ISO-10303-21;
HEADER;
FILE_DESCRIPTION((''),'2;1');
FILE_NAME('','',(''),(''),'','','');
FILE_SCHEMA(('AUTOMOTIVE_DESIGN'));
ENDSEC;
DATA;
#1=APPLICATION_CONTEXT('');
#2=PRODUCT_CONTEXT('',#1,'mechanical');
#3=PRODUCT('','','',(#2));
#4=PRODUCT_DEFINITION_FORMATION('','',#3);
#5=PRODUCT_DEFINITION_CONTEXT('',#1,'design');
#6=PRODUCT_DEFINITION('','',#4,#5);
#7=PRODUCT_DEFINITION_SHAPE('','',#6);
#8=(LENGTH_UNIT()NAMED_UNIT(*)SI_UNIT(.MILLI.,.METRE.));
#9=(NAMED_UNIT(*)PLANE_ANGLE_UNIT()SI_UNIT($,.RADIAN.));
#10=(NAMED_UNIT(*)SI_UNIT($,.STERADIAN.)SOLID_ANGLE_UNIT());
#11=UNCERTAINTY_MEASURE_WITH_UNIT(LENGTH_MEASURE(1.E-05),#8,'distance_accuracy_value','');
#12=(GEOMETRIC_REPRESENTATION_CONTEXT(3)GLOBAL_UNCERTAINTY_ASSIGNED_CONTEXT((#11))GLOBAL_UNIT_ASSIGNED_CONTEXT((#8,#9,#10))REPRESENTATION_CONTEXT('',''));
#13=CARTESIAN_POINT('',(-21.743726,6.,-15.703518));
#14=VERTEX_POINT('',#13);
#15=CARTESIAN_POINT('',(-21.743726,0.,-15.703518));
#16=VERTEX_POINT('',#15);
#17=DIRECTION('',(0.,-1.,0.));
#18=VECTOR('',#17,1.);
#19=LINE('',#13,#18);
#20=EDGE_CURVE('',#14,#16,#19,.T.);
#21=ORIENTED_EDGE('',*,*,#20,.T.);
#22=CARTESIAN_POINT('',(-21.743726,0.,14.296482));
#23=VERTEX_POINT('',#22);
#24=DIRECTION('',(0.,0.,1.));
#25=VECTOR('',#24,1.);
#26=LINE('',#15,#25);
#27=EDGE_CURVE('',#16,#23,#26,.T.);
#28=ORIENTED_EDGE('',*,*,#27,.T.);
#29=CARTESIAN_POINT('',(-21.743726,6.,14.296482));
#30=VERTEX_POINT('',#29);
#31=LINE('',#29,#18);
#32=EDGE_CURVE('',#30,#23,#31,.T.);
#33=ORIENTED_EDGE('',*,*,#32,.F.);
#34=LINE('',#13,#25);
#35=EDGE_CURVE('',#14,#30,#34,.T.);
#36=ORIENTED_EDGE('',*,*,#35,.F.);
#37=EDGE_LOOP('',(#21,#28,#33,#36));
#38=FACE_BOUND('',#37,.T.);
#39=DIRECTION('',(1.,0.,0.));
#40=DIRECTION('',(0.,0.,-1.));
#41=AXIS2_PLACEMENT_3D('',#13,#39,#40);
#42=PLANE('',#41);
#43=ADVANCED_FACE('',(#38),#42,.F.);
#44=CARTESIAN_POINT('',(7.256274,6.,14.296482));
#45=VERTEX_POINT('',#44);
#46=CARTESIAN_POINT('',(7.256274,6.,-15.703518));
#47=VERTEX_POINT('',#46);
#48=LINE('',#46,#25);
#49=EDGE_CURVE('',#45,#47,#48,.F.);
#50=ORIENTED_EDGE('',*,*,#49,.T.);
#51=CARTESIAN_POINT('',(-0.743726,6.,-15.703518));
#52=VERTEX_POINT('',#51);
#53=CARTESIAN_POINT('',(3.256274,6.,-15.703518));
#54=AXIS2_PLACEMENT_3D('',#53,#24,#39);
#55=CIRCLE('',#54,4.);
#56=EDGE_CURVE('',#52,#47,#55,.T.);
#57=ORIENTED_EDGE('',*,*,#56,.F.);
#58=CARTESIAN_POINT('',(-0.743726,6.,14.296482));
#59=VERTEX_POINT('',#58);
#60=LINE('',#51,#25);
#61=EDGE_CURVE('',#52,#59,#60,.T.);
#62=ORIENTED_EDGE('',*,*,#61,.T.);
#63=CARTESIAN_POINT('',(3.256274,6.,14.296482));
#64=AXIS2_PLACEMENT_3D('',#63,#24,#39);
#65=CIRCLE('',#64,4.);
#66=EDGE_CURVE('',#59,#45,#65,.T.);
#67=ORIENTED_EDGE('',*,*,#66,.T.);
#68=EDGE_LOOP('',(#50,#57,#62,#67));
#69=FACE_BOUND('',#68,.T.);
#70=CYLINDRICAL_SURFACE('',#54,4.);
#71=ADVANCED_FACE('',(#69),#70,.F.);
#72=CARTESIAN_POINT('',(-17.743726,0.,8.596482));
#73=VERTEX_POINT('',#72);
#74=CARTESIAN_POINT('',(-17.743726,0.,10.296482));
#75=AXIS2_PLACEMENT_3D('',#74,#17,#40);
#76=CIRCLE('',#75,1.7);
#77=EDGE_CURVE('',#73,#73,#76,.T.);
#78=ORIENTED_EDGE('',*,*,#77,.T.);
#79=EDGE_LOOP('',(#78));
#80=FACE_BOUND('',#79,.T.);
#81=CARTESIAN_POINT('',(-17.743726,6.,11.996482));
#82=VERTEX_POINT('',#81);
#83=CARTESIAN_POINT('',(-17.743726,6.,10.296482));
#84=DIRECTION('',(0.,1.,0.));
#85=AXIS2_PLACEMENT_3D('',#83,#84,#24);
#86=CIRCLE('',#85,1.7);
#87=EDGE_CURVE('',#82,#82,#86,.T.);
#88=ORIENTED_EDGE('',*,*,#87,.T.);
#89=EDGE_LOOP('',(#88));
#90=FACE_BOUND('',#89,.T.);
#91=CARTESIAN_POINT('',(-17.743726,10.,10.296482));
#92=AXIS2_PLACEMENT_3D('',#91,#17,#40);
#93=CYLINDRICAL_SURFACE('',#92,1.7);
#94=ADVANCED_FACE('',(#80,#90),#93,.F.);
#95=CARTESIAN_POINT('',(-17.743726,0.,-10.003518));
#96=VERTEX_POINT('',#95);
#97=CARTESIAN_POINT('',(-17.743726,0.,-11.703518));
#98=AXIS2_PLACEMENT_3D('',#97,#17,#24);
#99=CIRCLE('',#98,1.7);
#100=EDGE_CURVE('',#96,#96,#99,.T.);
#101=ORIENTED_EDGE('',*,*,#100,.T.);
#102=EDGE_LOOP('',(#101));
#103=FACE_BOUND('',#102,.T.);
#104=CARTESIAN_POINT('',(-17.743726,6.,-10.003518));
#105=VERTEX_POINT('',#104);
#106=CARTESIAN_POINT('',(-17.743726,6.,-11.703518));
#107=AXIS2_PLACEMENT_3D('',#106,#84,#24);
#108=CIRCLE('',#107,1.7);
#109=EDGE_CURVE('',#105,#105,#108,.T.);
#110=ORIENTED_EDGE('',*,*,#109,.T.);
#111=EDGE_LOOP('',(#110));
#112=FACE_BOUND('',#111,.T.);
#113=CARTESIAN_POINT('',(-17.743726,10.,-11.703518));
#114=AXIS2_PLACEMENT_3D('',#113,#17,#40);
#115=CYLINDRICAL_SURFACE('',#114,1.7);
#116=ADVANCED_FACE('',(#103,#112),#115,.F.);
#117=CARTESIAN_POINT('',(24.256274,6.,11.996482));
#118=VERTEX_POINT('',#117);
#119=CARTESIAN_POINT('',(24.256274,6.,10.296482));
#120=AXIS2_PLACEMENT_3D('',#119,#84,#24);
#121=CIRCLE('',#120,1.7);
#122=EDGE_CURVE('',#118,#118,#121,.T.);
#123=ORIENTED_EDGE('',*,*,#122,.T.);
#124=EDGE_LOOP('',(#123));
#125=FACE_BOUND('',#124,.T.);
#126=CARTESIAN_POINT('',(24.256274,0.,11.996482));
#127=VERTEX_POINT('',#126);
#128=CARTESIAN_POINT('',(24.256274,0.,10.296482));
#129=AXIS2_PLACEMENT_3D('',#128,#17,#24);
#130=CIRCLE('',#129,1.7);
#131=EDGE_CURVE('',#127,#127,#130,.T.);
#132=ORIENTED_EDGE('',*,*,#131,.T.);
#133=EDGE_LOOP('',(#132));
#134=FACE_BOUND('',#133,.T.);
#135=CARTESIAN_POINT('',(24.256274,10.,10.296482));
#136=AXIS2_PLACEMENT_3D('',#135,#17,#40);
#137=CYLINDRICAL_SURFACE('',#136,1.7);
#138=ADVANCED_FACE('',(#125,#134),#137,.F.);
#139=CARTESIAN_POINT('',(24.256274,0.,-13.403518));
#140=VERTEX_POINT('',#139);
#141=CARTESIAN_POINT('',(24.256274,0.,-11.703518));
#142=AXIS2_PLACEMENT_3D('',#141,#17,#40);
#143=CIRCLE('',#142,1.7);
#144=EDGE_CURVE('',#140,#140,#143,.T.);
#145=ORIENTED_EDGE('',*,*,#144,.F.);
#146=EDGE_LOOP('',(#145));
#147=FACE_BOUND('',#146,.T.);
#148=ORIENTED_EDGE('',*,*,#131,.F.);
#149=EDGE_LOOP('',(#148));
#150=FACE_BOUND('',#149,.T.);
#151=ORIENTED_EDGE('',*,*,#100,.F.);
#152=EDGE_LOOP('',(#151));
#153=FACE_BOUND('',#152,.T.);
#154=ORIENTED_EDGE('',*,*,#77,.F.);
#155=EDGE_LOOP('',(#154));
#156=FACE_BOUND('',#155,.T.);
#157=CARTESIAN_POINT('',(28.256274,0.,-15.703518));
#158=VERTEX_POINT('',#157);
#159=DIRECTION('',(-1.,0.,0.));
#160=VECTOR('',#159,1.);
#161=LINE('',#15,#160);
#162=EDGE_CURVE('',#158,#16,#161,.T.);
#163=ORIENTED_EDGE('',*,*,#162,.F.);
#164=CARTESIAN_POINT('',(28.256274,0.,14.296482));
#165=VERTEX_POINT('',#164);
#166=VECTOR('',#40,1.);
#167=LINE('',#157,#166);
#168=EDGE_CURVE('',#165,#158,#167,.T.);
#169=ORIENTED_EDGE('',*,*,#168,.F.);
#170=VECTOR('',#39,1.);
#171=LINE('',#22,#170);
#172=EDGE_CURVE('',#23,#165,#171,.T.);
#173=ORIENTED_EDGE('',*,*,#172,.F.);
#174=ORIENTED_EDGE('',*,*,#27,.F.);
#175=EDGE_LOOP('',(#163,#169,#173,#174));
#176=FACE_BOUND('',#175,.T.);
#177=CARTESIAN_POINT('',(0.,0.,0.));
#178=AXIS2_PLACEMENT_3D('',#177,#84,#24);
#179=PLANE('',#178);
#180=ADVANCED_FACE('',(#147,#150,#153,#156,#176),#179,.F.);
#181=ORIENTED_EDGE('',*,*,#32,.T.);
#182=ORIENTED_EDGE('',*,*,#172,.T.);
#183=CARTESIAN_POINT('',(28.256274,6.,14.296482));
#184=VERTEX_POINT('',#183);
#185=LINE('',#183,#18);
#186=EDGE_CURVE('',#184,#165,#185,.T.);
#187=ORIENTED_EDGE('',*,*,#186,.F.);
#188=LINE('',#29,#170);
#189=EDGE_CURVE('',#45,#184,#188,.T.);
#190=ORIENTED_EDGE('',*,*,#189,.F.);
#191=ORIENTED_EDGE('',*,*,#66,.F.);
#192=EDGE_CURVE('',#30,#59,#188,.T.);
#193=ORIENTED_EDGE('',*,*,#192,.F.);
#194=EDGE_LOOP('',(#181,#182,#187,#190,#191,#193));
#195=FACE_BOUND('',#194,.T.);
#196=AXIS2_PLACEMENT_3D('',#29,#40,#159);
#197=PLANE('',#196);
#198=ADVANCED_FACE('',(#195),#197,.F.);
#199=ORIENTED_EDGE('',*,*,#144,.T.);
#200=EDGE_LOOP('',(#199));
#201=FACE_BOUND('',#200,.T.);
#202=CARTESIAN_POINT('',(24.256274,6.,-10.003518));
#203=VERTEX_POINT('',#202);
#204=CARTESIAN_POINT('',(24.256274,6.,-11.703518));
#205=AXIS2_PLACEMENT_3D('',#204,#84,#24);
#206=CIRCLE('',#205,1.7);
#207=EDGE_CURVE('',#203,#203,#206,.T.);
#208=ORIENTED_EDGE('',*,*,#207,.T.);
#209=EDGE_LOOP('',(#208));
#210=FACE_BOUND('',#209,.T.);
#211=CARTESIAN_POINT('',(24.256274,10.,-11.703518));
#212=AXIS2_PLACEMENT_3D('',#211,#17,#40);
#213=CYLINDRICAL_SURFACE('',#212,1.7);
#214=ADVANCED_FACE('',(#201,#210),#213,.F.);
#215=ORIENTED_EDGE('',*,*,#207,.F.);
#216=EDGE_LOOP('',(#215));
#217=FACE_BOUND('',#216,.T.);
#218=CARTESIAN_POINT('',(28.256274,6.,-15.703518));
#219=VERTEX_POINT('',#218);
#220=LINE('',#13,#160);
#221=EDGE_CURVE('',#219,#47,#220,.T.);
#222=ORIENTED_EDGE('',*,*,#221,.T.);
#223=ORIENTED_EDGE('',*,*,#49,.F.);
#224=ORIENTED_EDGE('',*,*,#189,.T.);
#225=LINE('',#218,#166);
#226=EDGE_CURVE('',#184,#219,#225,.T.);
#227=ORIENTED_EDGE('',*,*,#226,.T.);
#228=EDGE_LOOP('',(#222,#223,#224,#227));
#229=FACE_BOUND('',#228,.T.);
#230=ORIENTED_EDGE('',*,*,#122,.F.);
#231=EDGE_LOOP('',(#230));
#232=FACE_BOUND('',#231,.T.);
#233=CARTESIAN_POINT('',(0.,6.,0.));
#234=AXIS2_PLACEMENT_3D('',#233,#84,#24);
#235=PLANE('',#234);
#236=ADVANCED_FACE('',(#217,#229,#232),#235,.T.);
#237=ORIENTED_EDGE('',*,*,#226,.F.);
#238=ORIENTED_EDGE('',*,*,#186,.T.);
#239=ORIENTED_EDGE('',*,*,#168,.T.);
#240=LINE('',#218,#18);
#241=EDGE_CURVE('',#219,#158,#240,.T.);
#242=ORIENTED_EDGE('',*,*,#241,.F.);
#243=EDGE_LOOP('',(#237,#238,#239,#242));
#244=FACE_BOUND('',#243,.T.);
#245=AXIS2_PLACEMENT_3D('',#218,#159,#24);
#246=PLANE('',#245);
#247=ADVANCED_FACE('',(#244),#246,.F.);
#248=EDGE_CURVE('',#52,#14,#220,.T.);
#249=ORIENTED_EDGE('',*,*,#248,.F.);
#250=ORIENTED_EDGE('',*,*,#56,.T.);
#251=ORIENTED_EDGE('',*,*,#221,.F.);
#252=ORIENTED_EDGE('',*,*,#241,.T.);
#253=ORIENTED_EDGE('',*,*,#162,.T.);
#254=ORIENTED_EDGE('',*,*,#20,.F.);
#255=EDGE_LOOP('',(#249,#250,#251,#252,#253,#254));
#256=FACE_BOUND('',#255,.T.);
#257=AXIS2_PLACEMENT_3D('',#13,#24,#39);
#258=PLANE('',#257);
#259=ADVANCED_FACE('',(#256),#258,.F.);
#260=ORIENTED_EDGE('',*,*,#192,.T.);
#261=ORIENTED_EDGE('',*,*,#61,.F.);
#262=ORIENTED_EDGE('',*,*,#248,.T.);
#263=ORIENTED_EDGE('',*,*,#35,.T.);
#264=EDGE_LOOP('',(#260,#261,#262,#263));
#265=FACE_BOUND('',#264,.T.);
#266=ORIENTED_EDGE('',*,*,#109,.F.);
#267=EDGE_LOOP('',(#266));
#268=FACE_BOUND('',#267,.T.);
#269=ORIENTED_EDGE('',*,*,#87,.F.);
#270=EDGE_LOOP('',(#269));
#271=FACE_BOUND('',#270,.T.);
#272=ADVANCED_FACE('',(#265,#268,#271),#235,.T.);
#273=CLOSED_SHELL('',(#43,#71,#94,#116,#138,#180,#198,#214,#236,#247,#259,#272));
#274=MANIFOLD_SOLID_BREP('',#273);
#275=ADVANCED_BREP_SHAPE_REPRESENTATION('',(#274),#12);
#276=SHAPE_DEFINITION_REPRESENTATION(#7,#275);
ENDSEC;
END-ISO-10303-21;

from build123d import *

# Parameters (mm, degrees)
SCHIZZO1_W                   = 50
SCHIZZO1_H                   = 30
ESTRUSIONE_ESTRUSIONE1_DEPTH = 6
SCHIZZO2_R                   = 4
TAGLIO_ESTRUSIONE1_DEPTH     = 42.646332289
SCHIZZO3_R                   = 1.7
TAGLIO_ESTRUSIONE2_DEPTH     = 10


with BuildPart() as part:
    # Schizzo1 → Estrusione-Estrusione1 (new body)
    with BuildSketch(Plane(origin=(0, 0, 0), x_dir=(1, 0, 0), z_dir=(0, 1, 0))):
        with Locations((3.256273518, 0.703517588)):
            Rectangle(SCHIZZO1_W, SCHIZZO1_H)
    extrude(amount=ESTRUSIONE_ESTRUSIONE1_DEPTH)

    # Schizzo2 → Taglio-Estrusione1 (cut, through all)
    with BuildSketch(Plane.XY.offset(14.296482412)):
        with Locations((3.256273518, 6)):
            Circle(SCHIZZO2_R)
    extrude(amount=-TAGLIO_ESTRUSIONE1_DEPTH, mode=Mode.SUBTRACT)

    # Schizzo3 → Taglio-Estrusione2 (cut)
    with BuildSketch(Plane.XZ):
        with Locations(Location((-17.743726482, 10.296482412, 0), (0, 0, 270))):
            Circle(SCHIZZO3_R)
        with Locations(Location((24.256273518, 10.296482412, 0), (0, 0, 90))):
            Circle(SCHIZZO3_R)
        with Locations(Location((24.256273518, -11.703517588, 0), (0, 0, 270))):
            Circle(SCHIZZO3_R)
        with Locations(Location((-17.743726482, -11.703517588, 0), (0, 0, 90))):
            Circle(SCHIZZO3_R)
    extrude(amount=-TAGLIO_ESTRUSIONE2_DEPTH, mode=Mode.SUBTRACT)


solid = part.part
